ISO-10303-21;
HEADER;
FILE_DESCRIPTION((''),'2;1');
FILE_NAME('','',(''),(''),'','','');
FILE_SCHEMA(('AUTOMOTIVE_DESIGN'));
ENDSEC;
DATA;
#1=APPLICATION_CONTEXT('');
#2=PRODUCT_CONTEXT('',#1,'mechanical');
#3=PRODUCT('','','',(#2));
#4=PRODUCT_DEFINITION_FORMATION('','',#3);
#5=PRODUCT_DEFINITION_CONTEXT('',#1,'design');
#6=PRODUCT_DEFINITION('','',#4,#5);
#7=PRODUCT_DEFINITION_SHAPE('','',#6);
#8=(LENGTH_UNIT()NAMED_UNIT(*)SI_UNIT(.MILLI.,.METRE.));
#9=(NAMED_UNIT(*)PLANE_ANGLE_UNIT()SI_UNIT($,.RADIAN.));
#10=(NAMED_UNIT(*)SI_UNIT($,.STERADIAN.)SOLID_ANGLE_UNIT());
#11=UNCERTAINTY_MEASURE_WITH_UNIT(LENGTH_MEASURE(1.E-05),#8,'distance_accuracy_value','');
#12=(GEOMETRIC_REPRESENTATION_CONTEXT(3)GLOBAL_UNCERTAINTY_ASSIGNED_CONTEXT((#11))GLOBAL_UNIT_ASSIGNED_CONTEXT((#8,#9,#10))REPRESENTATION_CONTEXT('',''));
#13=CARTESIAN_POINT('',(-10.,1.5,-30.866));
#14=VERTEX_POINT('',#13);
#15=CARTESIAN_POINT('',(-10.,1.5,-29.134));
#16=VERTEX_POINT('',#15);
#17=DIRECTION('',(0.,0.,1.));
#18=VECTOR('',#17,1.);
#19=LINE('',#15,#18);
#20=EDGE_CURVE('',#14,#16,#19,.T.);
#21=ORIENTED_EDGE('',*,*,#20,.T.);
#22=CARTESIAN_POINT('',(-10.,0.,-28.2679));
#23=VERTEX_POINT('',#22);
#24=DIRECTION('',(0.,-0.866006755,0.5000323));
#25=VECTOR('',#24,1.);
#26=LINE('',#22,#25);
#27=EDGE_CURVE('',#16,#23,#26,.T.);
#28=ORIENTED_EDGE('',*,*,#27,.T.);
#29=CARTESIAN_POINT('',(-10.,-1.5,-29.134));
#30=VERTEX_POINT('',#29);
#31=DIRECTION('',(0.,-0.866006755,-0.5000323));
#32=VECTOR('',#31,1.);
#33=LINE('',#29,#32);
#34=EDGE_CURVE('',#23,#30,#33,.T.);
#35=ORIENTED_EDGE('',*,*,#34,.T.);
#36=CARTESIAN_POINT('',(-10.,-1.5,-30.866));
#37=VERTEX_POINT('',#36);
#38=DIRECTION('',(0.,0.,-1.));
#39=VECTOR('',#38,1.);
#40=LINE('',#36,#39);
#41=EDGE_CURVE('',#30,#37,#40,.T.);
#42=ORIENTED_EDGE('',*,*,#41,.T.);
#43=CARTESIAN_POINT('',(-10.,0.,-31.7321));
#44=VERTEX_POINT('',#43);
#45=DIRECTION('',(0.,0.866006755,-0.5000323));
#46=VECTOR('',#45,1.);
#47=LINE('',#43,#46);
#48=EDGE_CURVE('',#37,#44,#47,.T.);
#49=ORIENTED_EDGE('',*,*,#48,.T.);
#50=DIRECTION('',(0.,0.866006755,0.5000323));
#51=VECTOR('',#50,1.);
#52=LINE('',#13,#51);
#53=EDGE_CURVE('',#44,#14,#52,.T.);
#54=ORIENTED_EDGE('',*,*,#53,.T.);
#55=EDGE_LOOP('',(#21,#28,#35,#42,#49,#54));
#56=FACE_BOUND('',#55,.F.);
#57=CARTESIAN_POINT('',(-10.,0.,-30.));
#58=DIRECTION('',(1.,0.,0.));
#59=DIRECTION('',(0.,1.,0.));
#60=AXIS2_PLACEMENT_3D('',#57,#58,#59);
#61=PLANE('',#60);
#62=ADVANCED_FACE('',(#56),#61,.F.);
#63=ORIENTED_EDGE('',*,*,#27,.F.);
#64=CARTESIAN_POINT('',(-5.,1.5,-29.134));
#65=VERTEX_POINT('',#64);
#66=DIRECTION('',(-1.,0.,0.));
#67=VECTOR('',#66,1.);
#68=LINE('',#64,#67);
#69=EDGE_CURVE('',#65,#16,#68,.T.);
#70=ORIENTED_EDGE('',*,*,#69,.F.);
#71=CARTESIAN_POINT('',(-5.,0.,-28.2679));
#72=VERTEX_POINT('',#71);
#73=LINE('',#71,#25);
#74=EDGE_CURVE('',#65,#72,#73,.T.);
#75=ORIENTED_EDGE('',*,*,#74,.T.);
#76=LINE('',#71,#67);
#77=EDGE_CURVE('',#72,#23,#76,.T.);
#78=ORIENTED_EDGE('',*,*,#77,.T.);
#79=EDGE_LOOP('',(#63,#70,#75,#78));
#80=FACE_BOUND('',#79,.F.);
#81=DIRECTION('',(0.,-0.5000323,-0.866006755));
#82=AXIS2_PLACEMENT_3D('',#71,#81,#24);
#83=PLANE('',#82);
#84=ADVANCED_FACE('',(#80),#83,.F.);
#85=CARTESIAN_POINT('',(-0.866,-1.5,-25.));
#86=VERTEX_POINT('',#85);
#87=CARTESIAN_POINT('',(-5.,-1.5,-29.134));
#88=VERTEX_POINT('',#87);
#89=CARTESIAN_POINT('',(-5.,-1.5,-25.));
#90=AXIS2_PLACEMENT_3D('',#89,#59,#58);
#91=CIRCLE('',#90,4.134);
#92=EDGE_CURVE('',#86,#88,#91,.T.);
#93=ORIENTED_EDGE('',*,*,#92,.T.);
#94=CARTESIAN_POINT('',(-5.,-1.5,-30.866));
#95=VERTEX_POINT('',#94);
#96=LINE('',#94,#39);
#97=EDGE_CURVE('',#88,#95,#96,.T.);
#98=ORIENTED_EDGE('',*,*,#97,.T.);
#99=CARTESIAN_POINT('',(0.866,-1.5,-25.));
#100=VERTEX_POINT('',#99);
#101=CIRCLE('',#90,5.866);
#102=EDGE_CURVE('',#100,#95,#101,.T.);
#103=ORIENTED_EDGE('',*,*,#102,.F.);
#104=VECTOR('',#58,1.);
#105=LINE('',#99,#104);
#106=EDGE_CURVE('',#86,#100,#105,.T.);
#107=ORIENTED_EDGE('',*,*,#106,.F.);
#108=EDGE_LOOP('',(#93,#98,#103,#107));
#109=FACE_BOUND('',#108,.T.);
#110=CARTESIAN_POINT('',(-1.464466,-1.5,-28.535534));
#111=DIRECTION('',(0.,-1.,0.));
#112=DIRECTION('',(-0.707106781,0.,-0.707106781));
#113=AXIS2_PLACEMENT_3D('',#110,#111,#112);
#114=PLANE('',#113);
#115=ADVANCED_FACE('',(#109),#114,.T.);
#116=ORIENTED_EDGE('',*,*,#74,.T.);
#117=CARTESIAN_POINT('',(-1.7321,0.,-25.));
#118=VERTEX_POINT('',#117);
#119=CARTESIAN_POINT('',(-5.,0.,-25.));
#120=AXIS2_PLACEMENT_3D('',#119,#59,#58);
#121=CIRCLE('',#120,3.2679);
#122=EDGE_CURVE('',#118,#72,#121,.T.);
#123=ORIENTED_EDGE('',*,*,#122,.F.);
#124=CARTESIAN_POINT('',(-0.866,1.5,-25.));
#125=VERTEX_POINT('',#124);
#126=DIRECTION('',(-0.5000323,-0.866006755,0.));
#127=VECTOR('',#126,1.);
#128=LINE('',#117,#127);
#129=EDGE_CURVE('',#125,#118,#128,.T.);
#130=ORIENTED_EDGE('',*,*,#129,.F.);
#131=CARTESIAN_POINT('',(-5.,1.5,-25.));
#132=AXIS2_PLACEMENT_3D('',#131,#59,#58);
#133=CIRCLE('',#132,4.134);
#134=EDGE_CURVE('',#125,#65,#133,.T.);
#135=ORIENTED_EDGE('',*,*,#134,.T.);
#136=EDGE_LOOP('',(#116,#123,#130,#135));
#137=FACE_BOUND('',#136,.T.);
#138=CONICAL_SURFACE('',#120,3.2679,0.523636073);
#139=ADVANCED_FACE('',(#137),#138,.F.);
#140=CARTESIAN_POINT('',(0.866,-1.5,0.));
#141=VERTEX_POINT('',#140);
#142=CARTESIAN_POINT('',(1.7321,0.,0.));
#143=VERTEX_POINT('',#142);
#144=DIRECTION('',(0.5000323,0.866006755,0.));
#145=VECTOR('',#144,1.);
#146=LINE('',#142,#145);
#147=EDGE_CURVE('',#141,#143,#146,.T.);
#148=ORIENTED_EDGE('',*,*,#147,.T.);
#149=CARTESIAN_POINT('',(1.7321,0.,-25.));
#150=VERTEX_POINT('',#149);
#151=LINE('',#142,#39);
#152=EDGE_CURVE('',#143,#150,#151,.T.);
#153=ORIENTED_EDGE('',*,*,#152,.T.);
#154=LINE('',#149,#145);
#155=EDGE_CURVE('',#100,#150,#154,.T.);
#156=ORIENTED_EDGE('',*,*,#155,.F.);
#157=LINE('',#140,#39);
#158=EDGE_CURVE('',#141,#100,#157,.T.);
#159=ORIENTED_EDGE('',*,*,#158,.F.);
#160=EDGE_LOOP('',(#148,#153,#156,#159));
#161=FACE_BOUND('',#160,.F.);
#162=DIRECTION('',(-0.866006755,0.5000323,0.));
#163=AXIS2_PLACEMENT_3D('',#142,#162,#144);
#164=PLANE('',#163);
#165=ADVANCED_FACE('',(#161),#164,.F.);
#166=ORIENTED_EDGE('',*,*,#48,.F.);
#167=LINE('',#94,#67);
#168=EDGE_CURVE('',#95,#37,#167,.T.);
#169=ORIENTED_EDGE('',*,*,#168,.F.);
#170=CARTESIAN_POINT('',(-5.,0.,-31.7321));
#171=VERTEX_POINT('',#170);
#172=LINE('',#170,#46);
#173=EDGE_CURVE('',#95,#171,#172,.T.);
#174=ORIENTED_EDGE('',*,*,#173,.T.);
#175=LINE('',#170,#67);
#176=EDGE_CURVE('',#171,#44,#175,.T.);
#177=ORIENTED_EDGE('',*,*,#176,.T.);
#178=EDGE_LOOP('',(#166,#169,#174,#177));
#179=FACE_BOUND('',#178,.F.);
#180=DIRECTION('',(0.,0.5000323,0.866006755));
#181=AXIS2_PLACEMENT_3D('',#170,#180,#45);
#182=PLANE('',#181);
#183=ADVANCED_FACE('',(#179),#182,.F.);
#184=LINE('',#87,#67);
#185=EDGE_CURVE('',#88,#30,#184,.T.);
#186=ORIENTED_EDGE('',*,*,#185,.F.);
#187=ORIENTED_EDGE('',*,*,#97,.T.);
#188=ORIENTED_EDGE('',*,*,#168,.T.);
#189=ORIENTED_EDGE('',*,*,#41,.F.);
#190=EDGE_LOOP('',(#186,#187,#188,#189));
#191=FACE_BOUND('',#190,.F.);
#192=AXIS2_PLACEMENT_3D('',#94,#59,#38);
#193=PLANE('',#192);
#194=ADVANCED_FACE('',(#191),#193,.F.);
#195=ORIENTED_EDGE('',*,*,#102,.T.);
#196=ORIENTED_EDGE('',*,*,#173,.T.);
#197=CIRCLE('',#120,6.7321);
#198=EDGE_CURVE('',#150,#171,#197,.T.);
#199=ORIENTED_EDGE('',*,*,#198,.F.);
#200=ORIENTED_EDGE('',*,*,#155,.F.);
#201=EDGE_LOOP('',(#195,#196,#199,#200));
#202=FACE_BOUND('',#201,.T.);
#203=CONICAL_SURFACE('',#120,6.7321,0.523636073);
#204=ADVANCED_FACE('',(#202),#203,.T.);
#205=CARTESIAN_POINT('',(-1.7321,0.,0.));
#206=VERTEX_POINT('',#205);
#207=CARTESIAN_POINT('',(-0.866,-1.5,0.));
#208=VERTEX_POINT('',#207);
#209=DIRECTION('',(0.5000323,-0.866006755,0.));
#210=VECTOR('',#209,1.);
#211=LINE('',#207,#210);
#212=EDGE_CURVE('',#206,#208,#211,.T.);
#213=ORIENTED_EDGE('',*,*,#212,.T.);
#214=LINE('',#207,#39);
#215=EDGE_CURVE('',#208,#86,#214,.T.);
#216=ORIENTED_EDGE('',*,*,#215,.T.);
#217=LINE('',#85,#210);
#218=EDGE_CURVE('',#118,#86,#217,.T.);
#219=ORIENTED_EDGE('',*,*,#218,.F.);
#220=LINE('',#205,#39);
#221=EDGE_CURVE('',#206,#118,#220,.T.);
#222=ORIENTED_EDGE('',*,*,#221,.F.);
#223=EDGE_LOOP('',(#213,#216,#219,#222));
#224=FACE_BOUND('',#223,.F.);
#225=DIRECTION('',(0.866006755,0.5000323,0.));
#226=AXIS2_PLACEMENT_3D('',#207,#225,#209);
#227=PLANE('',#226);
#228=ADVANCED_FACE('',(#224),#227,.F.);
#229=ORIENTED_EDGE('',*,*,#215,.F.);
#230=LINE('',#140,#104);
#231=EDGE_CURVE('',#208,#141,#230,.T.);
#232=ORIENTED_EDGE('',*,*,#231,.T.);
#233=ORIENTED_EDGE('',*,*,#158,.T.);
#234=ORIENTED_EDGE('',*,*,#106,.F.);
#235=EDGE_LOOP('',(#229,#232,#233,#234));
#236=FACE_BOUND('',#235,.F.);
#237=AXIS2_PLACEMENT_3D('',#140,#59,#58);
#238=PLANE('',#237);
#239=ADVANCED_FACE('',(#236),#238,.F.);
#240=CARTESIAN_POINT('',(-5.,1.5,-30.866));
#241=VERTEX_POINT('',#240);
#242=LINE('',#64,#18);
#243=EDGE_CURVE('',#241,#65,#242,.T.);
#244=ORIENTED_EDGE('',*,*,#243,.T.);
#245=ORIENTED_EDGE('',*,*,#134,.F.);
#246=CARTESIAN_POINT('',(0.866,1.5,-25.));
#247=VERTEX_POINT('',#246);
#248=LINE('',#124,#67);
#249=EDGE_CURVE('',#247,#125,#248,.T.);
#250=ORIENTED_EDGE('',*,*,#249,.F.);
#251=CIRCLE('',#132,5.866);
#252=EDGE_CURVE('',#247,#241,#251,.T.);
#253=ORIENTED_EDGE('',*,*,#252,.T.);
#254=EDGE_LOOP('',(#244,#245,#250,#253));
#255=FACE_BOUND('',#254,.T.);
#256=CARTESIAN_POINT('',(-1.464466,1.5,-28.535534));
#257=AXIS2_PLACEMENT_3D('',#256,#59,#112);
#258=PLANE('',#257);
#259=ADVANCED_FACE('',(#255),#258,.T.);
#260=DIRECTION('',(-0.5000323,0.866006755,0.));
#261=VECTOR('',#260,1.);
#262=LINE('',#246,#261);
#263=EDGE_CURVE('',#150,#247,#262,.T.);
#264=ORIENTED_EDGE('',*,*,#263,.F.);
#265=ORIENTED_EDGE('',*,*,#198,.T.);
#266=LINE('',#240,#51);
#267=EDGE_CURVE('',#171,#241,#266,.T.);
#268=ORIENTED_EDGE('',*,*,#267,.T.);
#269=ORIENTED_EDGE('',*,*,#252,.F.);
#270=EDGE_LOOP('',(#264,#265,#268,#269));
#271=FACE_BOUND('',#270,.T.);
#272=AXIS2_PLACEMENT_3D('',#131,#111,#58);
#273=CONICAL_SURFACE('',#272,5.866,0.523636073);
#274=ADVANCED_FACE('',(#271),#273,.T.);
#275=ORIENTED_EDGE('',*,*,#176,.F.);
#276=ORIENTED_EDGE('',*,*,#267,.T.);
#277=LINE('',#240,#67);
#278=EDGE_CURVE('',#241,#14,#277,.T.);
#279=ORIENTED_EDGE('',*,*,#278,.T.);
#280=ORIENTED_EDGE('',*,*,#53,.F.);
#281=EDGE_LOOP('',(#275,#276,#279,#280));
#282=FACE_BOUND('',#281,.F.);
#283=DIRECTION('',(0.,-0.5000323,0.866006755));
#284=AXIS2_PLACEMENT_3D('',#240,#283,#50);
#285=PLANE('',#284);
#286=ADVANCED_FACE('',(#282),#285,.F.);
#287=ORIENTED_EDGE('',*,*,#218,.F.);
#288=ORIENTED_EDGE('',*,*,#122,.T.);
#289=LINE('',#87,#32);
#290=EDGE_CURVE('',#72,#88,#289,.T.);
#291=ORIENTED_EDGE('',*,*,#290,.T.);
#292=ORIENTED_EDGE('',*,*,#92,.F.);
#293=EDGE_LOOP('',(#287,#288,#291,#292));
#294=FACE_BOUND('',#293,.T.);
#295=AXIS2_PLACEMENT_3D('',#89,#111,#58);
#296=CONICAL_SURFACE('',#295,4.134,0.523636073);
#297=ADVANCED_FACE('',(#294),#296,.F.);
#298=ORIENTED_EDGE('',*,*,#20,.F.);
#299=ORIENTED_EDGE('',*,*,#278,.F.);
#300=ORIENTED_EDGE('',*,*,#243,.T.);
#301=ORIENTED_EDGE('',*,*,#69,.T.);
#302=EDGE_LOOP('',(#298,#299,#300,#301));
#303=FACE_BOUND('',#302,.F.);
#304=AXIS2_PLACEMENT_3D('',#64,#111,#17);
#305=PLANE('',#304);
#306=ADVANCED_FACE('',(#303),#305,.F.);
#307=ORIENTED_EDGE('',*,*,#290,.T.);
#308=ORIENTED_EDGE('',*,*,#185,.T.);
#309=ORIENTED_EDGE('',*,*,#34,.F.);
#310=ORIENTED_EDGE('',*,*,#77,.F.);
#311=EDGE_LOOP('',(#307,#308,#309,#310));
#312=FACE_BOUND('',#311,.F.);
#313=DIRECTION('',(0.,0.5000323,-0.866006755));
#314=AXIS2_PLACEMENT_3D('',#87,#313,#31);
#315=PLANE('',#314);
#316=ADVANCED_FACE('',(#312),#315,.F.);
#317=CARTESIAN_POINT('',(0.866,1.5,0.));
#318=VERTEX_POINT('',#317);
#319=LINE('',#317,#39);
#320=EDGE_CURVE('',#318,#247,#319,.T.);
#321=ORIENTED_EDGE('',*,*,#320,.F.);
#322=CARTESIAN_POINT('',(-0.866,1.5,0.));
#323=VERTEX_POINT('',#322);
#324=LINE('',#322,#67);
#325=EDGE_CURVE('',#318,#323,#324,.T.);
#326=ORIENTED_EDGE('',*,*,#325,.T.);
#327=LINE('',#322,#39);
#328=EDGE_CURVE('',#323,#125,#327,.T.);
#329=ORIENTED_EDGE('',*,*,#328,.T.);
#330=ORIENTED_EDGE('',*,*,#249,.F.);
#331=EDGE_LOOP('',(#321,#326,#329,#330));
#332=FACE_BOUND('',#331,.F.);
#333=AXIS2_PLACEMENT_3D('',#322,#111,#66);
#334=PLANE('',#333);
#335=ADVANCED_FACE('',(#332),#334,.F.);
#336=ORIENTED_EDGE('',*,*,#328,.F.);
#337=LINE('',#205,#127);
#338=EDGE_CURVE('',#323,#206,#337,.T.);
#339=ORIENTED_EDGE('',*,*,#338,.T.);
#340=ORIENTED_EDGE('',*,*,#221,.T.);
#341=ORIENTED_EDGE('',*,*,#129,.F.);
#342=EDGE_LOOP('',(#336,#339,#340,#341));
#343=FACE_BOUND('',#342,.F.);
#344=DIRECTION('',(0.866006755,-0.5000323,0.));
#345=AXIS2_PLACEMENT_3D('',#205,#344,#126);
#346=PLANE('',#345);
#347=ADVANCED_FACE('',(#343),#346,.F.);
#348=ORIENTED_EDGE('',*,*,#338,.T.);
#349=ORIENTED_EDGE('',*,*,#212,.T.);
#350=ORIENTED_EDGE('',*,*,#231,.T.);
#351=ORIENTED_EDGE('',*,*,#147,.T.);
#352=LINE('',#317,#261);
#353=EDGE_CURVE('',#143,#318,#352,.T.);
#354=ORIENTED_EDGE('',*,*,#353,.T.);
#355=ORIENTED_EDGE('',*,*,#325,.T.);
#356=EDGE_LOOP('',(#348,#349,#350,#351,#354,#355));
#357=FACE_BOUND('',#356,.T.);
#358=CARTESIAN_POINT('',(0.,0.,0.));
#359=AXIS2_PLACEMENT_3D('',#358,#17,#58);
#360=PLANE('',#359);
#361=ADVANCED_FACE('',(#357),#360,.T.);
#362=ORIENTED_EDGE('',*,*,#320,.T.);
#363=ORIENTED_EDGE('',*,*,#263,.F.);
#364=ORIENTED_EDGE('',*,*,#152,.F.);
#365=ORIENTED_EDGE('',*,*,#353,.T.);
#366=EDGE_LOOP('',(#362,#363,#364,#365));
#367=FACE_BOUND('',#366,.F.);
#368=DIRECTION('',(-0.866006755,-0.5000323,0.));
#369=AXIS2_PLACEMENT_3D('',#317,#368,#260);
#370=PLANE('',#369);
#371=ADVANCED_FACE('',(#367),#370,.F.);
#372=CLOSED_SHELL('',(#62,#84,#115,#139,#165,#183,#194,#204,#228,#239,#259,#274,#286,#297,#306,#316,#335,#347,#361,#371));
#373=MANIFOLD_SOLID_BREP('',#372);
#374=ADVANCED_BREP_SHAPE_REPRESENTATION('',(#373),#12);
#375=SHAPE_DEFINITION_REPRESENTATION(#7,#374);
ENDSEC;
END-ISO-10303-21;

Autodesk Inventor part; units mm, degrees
ref_plane "YZ Plane" through (0, 0, 0) normal (1, 0, 0) x (0, 1, 0)
ref_plane "XZ Plane" through (0, 0, 0) normal (0, 1, 0) x (-1, 0, 0)
ref_plane "XY Plane" through (0, 0, 0) normal (0, 0, 1) x (1, 0, 0)
sketch "Esquisse1" plane through (0, 0, 0) normal (0, 0, 1) x (1, 0, 0)
  line L0 (0.866, -1.5) -> (-0.866, -1.5)
  line L1 (-0.866, -1.5) -> (-1.7321, 0)
  line L2 (-1.7321, 0) -> (-0.866, 1.5)
  line L3 (-0.866, 1.5) -> (0.866, 1.5)
  line L4 (0.866, 1.5) -> (1.7321, 0)
  line L5 (1.7321, 0) -> (0.866, -1.5)
  point P0 (0, 0)
  point P1 (0, 0)
  dimension "Taille" = 3
sketch "Esquisse2" plane through (0, 0, 0) normal (0, 1, 0) x (-1, 0, 0)
  line L0 (0, 0) -> (0, -25)
  line L1 (5, -30) -> (10, -30)
  arc A0 (0, -25) -> (5, -30) centre (5, -25) ccw
  point P0 (0, -30)
  dimension "Grand_longueur" = 30
  dimension "Petites_longueur" = 10
  dimension "COngé" = 5
sweep "Balayage1" add profiles "Esquisse1" path "Esquisse2"
equation "\"Grand_longueur\" = 10 * Taille"
equation "\"Petites_longueur\" = 0.333333 * Grand_longueur"
properties part number "1420-12 Cle btr-04" material "Acier inoxydable"
